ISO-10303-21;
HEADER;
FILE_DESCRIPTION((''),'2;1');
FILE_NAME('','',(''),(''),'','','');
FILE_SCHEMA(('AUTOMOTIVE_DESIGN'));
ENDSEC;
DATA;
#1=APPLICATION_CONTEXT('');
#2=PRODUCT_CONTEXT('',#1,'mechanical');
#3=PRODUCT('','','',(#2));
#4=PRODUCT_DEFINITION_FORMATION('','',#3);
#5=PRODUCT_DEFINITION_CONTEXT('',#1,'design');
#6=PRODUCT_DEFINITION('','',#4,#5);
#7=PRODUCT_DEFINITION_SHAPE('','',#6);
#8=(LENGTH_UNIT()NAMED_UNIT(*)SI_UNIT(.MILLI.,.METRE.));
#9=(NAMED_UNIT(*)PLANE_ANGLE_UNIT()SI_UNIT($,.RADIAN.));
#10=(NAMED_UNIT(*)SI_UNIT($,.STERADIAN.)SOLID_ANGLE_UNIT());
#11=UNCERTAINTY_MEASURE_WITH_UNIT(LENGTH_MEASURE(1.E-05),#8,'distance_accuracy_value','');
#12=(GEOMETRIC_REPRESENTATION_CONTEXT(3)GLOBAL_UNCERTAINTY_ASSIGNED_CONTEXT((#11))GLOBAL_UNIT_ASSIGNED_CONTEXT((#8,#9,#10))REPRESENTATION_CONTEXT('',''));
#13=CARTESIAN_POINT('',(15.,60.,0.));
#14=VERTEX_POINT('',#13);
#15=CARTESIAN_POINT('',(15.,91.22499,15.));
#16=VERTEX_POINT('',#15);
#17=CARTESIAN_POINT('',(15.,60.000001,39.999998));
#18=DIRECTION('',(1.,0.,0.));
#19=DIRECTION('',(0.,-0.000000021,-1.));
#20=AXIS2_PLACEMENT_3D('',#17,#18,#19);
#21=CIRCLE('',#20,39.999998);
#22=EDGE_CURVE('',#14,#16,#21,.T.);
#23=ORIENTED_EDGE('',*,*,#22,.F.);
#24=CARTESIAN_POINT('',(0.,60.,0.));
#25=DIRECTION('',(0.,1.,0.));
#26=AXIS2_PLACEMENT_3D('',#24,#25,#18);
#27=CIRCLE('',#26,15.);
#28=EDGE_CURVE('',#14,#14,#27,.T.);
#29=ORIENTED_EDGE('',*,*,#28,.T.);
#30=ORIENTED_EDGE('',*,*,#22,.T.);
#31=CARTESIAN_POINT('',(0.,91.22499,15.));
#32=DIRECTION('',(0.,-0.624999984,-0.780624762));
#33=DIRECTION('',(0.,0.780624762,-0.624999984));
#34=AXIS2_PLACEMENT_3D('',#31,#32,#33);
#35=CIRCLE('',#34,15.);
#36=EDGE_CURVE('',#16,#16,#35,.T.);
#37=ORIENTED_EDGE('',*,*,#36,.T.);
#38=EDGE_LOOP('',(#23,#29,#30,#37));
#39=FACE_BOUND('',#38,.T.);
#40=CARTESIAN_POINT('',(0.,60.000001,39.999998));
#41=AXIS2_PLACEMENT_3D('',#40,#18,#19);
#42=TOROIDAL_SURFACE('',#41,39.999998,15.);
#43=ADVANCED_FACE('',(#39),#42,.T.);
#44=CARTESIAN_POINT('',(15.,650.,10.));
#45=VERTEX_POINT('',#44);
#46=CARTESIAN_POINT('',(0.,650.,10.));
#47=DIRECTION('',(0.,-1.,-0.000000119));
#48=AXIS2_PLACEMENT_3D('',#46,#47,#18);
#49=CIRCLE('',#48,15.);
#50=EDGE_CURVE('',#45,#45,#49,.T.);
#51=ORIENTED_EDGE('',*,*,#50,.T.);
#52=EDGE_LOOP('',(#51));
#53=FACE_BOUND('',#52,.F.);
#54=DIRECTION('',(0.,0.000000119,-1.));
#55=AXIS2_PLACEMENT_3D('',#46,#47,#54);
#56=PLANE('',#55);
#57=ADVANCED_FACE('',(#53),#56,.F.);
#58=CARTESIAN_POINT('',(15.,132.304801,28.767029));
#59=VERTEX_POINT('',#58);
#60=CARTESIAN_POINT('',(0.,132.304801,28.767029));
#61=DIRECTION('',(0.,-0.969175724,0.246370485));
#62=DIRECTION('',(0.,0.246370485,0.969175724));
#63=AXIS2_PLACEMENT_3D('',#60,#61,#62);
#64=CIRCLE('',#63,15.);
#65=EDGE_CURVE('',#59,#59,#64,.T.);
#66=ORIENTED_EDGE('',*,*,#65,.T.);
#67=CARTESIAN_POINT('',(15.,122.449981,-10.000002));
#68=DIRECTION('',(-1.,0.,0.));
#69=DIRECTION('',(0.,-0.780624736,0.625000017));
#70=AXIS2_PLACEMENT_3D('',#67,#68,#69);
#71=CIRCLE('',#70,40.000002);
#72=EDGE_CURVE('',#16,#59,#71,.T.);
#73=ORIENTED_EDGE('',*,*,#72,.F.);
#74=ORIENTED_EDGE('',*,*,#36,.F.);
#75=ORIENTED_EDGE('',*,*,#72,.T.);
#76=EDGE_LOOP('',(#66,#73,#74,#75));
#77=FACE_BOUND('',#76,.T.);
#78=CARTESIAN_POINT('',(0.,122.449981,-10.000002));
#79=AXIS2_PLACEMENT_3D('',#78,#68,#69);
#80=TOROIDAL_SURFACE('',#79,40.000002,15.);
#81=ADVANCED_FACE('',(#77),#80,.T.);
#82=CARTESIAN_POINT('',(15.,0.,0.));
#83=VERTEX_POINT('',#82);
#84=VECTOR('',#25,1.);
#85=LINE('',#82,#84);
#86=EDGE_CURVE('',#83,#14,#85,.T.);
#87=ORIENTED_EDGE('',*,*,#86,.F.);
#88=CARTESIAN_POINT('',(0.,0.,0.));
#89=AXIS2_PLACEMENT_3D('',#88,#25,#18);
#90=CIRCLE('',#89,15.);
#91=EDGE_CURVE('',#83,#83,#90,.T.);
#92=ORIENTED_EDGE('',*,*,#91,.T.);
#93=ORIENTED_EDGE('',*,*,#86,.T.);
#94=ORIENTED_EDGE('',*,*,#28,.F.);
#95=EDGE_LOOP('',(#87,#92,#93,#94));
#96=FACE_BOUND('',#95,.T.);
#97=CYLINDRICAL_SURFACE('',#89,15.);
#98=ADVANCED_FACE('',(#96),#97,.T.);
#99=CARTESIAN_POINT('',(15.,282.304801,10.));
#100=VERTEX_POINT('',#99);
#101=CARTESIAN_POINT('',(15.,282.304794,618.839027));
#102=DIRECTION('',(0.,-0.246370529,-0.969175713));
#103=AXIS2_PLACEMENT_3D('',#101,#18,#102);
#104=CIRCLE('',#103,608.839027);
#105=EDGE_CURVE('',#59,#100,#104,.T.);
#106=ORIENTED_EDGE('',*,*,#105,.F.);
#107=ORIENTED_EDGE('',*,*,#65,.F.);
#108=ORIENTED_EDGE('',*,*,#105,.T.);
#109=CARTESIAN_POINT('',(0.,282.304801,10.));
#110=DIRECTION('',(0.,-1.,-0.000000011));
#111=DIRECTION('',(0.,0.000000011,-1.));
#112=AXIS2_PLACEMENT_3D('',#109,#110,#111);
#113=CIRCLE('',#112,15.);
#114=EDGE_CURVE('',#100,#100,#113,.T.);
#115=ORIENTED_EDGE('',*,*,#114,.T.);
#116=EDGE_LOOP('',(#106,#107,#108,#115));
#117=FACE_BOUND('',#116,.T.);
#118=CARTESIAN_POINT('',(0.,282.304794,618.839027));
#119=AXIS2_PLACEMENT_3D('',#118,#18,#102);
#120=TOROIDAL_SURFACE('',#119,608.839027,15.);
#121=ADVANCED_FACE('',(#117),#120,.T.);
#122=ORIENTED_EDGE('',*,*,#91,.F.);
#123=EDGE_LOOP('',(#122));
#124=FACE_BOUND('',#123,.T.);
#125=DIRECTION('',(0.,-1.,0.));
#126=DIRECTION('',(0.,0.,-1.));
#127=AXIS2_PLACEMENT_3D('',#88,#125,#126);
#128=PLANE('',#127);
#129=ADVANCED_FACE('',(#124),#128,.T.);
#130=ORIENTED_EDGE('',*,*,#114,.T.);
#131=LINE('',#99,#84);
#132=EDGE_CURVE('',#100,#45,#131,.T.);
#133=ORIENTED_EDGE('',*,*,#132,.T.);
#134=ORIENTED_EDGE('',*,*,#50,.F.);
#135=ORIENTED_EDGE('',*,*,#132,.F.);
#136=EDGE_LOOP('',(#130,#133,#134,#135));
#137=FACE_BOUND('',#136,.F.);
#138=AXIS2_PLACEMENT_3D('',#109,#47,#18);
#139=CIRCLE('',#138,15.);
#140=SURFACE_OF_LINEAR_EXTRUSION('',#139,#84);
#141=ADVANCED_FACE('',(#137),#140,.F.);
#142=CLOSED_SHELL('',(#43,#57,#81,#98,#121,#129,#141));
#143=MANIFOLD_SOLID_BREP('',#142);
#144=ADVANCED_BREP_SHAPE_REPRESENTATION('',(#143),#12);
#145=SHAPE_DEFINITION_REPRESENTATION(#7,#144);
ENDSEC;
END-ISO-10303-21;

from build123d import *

# Parameters (mm, degrees)
F1_R = 15


with BuildPart() as f3:
    # F3: sweep along a path in F0
    with BuildLine(Plane.YZ) as f3_path:
        Line((0, 0), (60, 0))
        ThreePointArc((60, 0), (77.320508, 3.944487), (91.22499, 15))
        ThreePointArc((91.22499, 15), (109.739598, 27.926853), (132.304801, 28.767029))
        ThreePointArc((132.304801, 28.767029), (206.720078, 14.709975), (282.304801, 10))
        Line((282.304801, 10), (650, 10))
    # F1 (on Front) → F3 (sweep)
    with BuildSketch(Plane.XZ):
        Circle(F1_R)
    sweep(path=f3_path.line)


solid = f3.part
